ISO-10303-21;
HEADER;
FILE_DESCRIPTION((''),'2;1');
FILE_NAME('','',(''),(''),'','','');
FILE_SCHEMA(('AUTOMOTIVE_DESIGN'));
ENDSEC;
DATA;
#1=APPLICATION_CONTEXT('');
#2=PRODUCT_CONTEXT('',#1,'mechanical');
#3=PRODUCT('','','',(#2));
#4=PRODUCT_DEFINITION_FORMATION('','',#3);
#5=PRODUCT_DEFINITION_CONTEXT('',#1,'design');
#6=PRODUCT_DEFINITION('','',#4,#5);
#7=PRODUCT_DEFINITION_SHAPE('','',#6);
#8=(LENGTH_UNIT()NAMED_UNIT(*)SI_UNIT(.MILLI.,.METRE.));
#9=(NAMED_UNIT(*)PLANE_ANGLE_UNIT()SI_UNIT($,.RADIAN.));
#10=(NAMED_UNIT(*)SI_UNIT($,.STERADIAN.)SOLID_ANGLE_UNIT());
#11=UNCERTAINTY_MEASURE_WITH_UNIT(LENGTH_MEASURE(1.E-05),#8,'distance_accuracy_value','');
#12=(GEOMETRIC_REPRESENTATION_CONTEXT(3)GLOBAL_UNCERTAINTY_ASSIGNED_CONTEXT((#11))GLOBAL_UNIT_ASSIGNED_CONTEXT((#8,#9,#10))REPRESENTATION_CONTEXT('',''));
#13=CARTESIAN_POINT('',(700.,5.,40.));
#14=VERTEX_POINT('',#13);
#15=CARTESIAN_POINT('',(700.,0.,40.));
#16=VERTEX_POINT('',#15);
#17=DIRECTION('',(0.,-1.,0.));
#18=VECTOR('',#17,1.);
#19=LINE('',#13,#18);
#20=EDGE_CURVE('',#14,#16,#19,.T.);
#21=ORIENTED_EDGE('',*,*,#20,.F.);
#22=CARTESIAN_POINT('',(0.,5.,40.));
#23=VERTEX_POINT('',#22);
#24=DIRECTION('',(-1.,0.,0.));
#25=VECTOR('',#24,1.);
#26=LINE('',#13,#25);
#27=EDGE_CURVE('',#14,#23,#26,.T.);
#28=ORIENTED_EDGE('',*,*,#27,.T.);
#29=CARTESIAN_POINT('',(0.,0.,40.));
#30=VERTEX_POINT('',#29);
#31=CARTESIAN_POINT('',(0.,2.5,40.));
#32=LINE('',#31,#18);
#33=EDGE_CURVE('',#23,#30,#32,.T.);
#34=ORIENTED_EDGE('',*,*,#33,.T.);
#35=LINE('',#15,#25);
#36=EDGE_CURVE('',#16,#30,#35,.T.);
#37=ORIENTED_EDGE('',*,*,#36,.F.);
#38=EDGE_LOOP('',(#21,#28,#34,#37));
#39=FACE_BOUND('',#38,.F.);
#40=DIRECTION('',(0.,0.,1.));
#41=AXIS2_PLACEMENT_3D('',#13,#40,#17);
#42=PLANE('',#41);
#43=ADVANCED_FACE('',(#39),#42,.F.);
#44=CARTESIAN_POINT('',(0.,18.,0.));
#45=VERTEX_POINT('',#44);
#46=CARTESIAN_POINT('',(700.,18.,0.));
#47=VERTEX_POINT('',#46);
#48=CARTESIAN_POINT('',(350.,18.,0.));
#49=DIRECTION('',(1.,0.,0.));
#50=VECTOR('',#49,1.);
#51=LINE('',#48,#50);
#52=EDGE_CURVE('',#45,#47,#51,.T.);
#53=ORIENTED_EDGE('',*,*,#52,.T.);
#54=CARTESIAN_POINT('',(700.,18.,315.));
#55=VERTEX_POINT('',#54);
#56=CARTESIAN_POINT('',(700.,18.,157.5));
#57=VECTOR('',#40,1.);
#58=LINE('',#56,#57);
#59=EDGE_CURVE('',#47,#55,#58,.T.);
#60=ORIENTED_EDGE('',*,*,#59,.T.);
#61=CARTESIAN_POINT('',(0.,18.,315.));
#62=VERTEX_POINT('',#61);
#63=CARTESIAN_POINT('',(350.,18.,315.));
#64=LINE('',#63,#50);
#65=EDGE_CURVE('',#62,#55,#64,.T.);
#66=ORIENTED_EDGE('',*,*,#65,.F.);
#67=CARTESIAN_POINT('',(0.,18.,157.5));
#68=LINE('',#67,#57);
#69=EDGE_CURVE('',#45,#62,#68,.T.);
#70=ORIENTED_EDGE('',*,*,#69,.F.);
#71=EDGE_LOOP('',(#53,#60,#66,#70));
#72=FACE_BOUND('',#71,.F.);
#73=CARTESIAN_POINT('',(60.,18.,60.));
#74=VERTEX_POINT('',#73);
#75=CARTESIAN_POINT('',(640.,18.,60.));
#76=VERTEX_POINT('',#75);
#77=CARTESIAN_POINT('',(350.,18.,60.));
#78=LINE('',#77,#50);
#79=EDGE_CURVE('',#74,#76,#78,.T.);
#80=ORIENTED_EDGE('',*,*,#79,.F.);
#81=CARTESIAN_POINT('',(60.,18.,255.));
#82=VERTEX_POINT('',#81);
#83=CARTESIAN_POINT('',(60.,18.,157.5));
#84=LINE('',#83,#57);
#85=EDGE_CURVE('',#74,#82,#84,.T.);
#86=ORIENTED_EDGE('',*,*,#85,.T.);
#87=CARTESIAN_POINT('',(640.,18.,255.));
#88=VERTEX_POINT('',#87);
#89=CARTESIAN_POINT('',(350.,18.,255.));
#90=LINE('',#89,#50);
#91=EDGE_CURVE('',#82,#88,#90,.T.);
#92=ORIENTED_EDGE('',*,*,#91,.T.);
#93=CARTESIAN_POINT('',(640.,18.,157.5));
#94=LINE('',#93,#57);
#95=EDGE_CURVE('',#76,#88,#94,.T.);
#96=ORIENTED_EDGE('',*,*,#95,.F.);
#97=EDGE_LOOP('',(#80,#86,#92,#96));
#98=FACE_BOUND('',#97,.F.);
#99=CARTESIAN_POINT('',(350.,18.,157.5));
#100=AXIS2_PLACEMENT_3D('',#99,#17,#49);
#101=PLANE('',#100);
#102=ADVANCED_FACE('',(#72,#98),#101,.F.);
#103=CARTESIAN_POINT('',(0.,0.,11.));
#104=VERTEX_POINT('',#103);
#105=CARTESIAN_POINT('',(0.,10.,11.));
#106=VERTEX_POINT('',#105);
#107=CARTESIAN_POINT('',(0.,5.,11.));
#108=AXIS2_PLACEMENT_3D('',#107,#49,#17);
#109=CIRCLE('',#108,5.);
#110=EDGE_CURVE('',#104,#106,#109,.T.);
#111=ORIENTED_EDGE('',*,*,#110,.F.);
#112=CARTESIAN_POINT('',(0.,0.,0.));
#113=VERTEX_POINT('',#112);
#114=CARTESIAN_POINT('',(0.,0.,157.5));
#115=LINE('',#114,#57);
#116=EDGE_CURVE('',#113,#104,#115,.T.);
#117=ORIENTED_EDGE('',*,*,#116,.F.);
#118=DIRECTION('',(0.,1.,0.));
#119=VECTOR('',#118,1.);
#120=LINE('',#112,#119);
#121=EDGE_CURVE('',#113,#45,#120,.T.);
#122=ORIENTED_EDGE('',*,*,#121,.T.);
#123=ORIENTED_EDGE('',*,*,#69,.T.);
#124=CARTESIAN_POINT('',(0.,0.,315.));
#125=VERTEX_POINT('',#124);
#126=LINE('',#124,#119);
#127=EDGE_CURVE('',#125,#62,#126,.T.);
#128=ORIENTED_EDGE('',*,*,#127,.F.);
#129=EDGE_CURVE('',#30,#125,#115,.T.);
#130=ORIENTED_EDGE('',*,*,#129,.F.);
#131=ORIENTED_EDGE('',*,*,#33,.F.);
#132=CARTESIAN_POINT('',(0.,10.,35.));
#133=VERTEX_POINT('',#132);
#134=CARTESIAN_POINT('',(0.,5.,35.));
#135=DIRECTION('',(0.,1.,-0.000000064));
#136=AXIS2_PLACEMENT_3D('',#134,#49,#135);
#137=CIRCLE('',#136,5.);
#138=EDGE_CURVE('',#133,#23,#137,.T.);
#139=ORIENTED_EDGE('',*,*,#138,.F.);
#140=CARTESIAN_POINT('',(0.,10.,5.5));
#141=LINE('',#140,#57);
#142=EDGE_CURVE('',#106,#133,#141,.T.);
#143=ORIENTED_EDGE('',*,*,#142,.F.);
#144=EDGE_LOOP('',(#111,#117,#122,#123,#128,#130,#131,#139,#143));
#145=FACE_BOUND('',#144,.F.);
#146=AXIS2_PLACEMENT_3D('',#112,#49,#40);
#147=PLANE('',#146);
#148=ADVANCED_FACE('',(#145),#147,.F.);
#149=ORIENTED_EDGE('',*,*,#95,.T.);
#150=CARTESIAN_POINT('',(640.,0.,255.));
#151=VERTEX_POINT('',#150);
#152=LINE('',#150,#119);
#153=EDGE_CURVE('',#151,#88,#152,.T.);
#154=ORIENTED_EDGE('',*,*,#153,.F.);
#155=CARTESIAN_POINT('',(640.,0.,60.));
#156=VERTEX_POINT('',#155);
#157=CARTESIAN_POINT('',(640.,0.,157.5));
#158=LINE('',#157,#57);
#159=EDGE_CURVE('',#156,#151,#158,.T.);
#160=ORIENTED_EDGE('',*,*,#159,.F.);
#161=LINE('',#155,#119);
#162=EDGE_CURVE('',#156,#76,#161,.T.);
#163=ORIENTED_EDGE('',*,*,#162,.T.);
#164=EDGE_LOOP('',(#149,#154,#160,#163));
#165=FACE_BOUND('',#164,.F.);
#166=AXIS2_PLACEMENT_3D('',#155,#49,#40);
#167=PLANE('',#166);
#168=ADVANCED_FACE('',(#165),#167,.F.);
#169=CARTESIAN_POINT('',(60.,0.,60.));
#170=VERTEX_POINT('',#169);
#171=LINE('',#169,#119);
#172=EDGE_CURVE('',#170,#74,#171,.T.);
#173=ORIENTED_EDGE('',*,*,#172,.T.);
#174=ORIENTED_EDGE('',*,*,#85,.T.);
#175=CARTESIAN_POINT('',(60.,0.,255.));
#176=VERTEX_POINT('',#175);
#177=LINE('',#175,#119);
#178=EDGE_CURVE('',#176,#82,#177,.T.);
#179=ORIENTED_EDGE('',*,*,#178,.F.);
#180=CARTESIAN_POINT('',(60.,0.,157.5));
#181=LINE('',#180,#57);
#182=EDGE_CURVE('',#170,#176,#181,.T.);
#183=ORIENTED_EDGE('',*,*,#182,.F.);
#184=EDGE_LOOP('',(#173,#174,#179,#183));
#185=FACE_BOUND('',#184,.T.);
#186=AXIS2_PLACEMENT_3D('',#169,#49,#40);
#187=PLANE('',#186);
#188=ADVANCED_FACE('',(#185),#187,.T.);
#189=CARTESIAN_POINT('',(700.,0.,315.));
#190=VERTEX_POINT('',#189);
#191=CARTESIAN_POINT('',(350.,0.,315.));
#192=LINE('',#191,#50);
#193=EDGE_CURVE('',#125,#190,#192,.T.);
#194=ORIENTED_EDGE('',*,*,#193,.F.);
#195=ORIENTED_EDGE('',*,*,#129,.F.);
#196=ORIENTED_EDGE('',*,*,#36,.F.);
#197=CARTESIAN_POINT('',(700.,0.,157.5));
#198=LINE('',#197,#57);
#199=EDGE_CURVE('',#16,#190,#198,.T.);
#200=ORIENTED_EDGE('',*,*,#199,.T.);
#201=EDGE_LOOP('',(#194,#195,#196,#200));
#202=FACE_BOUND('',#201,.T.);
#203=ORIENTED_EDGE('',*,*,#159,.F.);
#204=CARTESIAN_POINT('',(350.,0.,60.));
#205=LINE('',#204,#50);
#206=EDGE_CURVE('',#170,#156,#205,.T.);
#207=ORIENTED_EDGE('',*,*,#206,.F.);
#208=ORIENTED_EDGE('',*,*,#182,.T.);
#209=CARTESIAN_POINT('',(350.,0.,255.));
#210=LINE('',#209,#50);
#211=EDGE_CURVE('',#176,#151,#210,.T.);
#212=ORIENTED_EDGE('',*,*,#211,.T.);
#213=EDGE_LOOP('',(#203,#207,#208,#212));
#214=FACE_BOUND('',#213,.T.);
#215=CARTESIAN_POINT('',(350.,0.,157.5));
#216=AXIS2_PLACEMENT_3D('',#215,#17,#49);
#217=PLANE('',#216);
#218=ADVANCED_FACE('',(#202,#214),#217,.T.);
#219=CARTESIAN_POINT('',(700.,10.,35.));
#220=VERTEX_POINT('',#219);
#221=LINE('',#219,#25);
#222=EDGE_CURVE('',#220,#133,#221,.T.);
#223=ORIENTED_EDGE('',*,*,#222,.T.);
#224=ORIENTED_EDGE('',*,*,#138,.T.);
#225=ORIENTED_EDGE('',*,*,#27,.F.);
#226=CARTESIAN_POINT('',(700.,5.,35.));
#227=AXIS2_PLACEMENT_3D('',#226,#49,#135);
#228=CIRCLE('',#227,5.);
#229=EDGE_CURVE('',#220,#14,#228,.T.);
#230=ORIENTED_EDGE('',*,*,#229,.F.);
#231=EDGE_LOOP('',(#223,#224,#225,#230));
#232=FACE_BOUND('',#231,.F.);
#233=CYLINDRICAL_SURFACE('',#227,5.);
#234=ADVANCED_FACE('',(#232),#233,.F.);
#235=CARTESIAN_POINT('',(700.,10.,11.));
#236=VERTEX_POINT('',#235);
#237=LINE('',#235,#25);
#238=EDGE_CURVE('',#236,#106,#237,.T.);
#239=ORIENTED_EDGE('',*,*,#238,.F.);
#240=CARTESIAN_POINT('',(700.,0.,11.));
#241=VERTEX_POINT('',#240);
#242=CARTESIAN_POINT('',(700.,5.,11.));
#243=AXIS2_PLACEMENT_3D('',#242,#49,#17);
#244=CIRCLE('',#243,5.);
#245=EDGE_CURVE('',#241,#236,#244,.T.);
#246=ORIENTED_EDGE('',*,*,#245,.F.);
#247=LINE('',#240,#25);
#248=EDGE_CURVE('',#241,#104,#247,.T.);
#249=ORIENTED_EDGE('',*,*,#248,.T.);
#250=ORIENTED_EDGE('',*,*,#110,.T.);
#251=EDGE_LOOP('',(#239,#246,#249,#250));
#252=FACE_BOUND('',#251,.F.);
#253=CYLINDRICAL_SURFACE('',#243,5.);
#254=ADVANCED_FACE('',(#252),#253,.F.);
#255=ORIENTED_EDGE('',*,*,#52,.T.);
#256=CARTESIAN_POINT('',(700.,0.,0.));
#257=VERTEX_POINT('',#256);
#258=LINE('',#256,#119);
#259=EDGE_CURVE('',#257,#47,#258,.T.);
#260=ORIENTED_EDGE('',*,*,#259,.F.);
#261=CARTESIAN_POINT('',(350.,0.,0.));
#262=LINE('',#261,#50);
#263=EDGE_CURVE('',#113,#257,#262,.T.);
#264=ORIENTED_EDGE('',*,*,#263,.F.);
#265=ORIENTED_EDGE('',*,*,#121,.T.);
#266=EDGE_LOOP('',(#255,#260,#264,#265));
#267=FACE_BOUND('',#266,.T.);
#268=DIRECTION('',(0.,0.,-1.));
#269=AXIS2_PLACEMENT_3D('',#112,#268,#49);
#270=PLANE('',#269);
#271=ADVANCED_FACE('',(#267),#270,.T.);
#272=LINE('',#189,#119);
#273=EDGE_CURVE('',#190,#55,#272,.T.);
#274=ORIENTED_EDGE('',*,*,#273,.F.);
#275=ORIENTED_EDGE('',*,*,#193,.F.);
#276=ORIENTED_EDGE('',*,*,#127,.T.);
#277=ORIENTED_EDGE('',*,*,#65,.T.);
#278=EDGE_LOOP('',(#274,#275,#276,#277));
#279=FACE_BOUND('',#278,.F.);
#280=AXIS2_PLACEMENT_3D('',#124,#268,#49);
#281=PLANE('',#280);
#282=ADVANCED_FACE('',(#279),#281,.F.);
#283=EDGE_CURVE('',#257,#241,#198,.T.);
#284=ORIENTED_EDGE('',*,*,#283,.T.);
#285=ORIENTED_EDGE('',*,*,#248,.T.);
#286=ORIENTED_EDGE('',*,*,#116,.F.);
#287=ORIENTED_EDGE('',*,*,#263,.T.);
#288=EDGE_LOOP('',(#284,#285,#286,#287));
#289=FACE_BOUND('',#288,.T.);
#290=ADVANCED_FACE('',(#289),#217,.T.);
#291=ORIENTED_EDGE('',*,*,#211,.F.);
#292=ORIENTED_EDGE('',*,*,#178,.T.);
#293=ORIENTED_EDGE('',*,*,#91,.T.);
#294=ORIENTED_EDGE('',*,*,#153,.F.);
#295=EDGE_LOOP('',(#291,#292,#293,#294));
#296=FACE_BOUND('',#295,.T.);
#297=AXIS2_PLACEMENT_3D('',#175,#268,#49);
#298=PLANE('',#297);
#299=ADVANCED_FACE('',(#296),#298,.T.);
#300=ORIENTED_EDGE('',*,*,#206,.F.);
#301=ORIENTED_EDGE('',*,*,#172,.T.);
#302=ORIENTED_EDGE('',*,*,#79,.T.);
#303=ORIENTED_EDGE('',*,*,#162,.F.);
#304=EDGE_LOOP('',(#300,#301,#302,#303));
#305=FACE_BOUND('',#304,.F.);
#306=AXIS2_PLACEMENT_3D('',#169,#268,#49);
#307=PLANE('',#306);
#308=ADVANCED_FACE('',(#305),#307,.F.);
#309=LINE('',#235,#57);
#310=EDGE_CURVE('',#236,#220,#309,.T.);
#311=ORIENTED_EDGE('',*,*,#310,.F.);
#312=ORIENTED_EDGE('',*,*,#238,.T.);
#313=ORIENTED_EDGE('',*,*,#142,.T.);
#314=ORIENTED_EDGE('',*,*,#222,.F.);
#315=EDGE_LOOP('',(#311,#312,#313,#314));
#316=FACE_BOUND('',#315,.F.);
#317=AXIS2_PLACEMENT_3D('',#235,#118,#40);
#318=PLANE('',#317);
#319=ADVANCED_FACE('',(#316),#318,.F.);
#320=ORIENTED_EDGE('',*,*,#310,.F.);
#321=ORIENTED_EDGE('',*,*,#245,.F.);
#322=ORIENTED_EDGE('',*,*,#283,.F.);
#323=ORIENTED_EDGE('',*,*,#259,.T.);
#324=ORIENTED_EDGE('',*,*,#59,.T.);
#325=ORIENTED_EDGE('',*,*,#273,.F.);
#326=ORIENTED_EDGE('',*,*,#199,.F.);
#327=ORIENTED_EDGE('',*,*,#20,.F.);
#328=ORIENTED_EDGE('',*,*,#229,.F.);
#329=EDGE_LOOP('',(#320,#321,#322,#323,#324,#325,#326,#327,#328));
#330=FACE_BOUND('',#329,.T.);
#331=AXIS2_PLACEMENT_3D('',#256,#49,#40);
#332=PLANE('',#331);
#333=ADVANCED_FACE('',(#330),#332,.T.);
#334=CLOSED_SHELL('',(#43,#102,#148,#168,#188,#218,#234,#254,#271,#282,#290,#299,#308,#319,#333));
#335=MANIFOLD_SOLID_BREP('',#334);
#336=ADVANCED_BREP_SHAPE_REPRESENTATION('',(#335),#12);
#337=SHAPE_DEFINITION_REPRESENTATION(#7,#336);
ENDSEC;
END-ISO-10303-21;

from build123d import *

# Parameters (mm, degrees)
F0_W     = 700
F0_H     = 315
F0_W_2   = 580
F0_H_2   = 195
F1_DEPTH = 18
F3_DEPTH = 940


with BuildPart() as f1:
    # F0 (on Front) → F1 (new body)
    with BuildSketch(Plane.XZ):
        with Locations((350, 157.5)):
            Rectangle(F0_W, F0_H)
        with Locations((350, 157.5)):
            Rectangle(F0_W_2, F0_H_2, mode=Mode.SUBTRACT)
    extrude(amount=-F1_DEPTH)

    # F2 (on face) → F3 (cut)
    with BuildSketch(Plane.YZ.offset(700)):
        with BuildLine():
            Line((5, 40), (0, 40))
            Line((0, 40), (0, 11))
            ThreePointArc((0, 11), (5, 6), (10, 11))
            Line((10, 11), (10, 35))
            ThreePointArc((10, 35), (8.535534, 38.535534), (5, 40))
        make_face()
    extrude(amount=-F3_DEPTH, mode=Mode.SUBTRACT)


solid = f1.part
